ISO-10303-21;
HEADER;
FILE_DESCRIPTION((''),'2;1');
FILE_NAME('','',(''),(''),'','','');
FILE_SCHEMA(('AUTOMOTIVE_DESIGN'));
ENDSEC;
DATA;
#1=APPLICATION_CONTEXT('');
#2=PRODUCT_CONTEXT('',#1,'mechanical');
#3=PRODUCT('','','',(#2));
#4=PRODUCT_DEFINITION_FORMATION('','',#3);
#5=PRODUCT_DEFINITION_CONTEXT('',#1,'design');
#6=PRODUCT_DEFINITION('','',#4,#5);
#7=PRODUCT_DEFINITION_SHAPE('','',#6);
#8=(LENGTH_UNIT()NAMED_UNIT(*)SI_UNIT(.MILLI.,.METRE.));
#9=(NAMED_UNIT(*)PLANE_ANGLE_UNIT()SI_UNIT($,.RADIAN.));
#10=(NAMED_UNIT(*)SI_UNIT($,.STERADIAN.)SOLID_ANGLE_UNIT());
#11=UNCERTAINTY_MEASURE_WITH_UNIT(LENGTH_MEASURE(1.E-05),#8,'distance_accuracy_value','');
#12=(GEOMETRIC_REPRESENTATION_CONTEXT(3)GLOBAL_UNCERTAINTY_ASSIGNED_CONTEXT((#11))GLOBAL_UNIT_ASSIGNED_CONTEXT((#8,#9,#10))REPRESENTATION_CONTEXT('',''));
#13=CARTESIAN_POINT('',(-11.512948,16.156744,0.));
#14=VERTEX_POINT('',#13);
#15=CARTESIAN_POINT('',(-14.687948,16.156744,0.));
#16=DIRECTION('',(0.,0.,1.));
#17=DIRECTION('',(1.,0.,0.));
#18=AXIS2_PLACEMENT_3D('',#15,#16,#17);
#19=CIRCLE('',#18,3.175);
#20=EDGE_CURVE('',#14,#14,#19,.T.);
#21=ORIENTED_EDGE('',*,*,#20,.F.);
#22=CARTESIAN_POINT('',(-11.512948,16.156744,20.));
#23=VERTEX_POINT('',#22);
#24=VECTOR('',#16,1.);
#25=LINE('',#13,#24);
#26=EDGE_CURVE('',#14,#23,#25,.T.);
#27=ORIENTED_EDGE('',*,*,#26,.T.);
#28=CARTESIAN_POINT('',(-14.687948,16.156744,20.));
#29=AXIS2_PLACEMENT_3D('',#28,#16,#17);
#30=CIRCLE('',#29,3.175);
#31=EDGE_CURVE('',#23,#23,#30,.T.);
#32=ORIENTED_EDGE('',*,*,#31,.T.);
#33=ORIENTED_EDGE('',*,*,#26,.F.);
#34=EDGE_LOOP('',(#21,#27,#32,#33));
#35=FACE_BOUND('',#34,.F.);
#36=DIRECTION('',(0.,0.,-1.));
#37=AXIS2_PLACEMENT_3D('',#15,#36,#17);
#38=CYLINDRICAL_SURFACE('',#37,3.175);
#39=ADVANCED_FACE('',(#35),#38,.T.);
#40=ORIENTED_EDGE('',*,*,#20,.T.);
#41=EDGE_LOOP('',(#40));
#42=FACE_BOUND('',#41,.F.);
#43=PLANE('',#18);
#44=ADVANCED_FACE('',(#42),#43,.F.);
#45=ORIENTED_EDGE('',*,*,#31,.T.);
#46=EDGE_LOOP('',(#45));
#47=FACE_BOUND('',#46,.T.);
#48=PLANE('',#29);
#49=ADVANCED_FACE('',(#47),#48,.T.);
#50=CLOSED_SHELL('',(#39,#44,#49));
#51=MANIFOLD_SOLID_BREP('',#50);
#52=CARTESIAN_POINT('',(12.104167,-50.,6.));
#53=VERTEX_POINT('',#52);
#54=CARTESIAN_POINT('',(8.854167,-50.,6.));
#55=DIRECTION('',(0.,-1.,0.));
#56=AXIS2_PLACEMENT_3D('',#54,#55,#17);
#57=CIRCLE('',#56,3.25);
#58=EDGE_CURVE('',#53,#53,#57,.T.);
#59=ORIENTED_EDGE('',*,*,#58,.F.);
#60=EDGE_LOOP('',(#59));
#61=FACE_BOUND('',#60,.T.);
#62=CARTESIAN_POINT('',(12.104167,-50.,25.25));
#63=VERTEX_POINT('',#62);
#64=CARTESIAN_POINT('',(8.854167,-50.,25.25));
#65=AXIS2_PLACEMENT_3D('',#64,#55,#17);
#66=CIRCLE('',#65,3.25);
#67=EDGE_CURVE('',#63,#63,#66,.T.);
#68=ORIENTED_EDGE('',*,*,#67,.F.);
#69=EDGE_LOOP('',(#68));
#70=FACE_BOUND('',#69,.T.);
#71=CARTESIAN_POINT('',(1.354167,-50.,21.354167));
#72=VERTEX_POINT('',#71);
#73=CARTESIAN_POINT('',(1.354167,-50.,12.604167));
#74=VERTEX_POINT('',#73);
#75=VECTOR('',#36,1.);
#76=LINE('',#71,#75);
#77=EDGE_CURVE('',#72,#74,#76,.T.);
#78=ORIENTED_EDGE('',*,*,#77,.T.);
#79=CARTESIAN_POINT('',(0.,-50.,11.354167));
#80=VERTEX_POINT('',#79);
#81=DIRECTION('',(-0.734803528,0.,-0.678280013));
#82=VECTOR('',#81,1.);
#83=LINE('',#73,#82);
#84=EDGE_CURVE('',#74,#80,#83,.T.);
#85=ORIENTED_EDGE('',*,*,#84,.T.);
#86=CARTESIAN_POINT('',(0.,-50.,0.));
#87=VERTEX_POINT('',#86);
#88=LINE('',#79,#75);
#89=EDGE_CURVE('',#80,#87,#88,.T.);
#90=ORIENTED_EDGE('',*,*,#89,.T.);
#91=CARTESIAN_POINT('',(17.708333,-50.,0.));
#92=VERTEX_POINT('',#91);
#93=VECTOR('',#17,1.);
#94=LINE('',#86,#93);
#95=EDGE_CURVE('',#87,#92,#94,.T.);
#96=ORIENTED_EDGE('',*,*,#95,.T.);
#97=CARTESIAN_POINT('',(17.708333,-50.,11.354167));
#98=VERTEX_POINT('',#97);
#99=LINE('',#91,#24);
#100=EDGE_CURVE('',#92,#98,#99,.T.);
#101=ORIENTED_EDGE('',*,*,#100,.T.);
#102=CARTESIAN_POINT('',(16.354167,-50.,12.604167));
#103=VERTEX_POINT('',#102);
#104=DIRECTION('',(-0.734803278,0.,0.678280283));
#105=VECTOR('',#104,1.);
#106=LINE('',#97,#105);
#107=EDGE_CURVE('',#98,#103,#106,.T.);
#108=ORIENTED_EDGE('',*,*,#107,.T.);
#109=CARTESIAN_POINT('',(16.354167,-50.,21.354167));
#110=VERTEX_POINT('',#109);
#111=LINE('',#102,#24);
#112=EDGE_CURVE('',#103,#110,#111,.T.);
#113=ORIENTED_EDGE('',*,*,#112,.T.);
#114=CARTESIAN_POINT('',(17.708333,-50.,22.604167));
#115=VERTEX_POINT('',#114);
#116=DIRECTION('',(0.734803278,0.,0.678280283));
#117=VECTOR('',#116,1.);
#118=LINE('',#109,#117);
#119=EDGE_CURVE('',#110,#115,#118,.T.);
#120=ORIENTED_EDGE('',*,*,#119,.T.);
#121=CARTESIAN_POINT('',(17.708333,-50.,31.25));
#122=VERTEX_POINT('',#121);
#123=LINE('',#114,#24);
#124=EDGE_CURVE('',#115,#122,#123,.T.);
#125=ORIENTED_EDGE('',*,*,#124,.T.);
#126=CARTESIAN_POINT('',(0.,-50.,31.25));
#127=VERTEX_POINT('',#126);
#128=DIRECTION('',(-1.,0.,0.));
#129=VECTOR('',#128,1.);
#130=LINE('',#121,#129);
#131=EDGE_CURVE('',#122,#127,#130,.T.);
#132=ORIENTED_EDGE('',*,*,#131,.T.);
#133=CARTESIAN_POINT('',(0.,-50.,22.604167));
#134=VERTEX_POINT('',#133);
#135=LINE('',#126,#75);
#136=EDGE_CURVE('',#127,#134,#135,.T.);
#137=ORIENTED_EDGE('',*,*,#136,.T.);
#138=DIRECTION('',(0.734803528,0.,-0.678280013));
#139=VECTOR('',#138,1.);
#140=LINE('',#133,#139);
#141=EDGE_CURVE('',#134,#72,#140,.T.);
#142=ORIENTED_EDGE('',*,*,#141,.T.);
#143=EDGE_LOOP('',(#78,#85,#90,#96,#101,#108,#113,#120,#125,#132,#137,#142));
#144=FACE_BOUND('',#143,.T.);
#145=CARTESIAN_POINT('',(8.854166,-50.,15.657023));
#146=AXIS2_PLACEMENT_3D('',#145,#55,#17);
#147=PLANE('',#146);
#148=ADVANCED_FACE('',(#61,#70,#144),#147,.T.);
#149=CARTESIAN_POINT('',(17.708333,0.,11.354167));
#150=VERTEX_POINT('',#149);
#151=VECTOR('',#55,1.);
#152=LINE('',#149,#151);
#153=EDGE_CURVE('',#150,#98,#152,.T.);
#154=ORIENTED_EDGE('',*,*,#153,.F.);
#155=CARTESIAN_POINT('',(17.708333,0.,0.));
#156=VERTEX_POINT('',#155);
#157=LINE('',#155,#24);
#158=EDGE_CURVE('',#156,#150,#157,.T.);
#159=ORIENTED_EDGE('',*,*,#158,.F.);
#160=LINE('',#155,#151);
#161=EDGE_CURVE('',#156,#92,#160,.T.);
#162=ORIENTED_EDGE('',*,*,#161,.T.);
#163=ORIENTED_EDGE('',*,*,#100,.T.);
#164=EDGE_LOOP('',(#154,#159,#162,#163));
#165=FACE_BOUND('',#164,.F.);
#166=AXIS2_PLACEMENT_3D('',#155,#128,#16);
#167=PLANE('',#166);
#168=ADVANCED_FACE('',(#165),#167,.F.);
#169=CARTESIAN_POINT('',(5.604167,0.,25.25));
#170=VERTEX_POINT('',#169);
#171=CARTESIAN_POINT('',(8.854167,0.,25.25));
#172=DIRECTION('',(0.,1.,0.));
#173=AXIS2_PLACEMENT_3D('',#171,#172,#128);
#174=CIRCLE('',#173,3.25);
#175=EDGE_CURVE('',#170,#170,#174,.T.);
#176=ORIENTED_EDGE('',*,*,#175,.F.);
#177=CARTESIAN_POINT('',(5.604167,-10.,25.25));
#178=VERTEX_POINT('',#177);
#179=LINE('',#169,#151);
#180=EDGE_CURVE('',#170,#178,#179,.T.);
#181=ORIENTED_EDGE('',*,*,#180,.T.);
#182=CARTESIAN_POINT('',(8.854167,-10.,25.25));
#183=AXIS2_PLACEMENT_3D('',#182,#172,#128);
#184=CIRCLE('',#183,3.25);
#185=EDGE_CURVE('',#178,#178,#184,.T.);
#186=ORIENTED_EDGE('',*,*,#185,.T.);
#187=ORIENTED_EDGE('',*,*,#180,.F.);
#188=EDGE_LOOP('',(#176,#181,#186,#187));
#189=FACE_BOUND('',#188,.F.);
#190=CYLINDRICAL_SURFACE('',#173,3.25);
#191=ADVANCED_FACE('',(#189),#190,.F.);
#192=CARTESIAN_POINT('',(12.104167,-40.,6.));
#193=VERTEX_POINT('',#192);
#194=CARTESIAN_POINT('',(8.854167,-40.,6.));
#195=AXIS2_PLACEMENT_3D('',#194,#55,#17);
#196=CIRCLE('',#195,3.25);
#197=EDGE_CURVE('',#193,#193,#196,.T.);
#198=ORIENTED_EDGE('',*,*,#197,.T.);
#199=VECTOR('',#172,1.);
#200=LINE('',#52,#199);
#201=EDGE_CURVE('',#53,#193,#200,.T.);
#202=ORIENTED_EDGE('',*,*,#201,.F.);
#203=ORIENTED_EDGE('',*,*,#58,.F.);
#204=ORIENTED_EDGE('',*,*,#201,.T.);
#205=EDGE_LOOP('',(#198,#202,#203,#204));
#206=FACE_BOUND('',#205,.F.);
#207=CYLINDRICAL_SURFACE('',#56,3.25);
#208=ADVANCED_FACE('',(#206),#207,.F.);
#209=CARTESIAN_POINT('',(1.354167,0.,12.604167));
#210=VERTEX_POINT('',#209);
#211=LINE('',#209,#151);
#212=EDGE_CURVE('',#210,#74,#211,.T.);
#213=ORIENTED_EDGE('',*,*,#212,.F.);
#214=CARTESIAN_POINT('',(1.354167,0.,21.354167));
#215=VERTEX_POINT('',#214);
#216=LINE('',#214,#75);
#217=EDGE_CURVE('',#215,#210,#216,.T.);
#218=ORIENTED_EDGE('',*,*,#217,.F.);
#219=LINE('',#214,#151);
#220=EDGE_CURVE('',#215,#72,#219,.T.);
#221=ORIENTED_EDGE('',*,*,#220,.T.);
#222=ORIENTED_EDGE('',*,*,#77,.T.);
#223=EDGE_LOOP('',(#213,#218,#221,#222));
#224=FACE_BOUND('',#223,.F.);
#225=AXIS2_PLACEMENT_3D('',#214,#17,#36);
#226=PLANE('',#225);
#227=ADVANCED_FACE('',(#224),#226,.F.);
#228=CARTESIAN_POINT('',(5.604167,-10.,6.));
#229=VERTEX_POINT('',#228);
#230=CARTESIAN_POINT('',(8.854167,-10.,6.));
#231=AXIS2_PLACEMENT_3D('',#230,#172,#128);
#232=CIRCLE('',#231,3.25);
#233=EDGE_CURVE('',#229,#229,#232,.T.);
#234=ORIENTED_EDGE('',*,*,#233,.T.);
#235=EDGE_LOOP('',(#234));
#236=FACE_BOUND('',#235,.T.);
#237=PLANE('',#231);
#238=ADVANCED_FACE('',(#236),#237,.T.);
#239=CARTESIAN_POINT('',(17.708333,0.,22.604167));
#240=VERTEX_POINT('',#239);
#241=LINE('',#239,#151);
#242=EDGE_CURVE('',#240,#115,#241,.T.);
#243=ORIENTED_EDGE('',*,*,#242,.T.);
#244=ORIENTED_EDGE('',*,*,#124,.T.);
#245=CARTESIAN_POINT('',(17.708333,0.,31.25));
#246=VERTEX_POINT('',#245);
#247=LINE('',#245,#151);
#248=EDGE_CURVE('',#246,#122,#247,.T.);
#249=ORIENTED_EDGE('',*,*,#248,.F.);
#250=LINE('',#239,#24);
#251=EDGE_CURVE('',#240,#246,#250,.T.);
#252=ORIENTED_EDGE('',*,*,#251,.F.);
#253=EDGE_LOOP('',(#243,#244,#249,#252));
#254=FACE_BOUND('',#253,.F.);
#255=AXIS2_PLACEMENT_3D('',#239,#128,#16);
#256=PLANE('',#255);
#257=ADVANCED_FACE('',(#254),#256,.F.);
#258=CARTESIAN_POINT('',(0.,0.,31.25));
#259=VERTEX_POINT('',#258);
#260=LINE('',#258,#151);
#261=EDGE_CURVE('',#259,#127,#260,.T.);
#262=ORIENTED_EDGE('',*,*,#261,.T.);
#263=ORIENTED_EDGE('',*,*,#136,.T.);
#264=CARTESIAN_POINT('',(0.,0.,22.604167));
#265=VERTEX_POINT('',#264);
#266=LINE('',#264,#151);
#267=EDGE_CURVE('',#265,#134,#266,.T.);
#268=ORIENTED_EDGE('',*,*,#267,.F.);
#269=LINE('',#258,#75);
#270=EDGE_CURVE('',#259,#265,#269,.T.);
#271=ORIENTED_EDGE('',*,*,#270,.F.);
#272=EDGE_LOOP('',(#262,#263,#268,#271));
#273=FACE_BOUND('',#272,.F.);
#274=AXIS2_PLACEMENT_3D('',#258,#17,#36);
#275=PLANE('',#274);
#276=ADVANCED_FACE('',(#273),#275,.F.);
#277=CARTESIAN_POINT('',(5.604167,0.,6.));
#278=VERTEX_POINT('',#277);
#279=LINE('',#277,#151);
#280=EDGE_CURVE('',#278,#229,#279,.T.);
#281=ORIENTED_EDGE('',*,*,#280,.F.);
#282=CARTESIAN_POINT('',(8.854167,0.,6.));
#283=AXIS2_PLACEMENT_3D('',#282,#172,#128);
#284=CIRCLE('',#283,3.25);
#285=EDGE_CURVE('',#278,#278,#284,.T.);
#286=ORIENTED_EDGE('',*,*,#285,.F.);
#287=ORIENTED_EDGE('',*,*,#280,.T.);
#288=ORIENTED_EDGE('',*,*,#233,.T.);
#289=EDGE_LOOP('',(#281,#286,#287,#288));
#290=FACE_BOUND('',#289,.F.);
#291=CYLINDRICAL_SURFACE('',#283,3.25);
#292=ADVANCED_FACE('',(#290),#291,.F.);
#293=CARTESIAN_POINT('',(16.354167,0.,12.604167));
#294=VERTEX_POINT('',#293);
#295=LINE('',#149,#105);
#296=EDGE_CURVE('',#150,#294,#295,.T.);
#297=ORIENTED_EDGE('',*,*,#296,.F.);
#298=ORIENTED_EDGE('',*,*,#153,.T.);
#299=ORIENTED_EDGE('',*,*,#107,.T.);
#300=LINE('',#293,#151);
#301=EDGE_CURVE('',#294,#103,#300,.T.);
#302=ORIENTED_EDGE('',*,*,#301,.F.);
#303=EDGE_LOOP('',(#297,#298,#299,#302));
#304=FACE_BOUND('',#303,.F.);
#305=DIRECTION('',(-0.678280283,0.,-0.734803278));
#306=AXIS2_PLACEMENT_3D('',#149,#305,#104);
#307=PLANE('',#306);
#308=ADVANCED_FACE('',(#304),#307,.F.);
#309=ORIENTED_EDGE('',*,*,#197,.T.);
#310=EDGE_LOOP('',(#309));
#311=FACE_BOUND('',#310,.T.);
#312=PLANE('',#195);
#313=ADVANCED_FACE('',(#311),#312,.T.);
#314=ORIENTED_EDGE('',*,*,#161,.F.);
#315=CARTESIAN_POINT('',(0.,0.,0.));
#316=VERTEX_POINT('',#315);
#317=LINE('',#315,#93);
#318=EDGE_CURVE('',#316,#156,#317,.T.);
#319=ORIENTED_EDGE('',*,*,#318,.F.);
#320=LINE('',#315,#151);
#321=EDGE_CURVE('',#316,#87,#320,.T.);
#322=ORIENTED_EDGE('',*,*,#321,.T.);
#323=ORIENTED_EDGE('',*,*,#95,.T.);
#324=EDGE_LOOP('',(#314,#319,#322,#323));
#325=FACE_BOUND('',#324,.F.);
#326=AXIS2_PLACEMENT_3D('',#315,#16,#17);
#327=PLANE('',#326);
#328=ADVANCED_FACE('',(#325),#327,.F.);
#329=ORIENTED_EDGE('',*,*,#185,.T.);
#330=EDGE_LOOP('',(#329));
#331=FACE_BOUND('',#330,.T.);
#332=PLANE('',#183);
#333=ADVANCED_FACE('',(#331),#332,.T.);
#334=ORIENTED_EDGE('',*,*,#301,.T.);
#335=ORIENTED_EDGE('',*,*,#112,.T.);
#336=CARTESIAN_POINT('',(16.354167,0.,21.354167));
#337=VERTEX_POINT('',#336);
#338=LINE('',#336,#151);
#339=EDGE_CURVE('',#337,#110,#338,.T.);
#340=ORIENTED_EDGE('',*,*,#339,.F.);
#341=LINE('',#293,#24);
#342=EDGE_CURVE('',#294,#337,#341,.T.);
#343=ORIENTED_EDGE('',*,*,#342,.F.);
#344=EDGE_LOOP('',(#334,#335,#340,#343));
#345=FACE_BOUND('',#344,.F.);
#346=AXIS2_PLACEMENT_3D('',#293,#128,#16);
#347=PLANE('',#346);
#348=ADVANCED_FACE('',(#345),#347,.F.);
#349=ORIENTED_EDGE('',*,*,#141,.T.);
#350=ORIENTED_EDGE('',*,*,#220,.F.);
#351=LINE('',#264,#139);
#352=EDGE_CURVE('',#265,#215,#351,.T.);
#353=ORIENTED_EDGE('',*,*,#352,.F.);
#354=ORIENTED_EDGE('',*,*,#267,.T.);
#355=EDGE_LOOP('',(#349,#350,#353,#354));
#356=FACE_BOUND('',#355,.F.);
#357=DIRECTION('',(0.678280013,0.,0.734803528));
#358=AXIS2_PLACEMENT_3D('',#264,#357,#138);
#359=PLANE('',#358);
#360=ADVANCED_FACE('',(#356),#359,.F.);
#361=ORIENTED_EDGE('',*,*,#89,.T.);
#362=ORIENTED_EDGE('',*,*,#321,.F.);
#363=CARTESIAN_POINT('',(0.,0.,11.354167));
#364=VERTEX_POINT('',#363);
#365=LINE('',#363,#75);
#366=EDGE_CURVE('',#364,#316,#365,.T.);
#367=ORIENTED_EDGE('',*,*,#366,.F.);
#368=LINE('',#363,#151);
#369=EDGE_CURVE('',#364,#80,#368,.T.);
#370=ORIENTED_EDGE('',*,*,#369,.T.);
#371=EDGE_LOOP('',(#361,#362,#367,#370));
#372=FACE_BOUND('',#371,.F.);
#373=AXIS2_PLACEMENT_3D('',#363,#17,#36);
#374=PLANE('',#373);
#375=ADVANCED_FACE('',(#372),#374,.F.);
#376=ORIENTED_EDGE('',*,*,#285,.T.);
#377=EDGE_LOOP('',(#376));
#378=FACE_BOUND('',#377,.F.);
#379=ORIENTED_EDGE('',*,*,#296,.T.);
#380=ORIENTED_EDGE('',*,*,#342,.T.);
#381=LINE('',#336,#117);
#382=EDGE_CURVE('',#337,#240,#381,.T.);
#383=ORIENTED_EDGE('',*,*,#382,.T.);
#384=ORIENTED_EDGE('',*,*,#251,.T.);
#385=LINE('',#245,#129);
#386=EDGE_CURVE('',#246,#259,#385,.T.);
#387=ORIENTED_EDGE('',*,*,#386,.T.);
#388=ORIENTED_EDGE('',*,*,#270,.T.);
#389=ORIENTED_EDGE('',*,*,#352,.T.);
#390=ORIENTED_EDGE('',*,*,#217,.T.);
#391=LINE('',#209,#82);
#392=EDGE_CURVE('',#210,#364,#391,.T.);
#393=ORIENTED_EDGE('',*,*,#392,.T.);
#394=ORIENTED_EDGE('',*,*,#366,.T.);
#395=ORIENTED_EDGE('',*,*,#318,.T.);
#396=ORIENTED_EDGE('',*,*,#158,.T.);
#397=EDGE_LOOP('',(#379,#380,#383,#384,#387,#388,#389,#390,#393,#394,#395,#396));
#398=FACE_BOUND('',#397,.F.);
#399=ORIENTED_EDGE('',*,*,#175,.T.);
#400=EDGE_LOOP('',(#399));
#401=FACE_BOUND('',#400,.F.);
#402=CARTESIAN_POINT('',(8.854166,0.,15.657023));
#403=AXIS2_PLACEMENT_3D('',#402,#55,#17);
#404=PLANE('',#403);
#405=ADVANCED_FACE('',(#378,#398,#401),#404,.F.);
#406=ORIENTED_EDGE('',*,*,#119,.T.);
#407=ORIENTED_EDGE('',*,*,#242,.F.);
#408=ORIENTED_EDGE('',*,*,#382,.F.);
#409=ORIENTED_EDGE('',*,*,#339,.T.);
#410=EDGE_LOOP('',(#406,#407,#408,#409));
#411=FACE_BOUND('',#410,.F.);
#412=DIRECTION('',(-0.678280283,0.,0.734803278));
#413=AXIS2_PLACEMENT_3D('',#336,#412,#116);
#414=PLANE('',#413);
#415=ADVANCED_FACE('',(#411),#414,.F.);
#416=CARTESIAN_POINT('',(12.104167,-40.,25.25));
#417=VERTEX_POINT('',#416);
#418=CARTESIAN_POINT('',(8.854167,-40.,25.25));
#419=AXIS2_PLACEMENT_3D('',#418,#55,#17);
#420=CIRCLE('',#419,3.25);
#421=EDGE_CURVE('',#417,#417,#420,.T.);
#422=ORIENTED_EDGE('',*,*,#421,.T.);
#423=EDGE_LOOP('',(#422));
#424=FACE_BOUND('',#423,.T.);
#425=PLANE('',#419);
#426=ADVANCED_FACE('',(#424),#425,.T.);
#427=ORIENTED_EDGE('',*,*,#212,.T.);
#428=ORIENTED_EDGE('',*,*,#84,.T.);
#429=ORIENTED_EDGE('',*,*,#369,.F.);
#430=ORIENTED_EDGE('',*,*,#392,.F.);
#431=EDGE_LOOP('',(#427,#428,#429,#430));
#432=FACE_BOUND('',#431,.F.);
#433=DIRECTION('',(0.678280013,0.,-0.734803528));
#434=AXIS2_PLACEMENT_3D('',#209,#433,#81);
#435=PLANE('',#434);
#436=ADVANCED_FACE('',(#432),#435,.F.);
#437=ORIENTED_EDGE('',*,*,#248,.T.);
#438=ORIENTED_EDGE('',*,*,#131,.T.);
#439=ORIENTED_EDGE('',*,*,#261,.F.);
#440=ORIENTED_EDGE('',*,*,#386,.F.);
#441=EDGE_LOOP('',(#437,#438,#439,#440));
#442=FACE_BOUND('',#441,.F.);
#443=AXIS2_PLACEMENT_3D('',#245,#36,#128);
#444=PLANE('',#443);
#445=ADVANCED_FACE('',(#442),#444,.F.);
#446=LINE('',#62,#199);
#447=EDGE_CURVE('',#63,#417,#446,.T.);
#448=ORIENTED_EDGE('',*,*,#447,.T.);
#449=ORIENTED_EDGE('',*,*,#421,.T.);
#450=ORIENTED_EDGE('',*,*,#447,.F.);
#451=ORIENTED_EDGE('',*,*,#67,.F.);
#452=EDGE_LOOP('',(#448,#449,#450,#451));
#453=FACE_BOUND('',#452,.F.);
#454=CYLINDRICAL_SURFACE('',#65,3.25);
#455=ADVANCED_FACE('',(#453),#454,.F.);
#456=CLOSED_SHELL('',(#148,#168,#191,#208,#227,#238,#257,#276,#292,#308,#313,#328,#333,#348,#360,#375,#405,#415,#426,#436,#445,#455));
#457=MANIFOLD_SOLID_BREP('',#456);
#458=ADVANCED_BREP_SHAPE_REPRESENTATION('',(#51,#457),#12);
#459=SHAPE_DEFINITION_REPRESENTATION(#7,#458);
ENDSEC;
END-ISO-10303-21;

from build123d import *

# Parameters (mm, degrees)
F1_DEPTH = 50
F2_R     = 3.25
F3_DEPTH = 10
F4_R     = 3.25
F5_DEPTH = 10
F6_R     = 3.175
F7_DEPTH = 20


with BuildPart() as f1:
    # F0 (on Front) → F1 (new body)
    with BuildSketch(Plane.XZ):
        Polygon((0, 0), (8.854167, 0), (17.708333, 0), (17.708333, 11.354167), (16.354167, 12.604167), (16.354167, 21.354167), (17.708333, 22.604167), (17.708333, 31.25), (8.854167, 31.25), (0, 31.25), (0, 22.604167), (1.354167, 21.354167), (1.354167, 12.604167), (0, 11.354167), align=None)
    extrude(amount=F1_DEPTH)

    # F2 (on face) → F3 (cut)
    with BuildSketch(Plane.XZ.offset(50)):
        with Locations((8.854167, 6)):
            Circle(F2_R)
        with Locations((8.854167, 25.25)):
            Circle(F2_R)
    extrude(amount=-F3_DEPTH, mode=Mode.SUBTRACT)

    # F4 (on face) → F5 (cut)
    with BuildSketch(Plane(origin=(0, 0, 0), x_dir=(-1, 0, 0), z_dir=(0, 1, 0))):
        with Locations((-8.854167, 6)):
            Circle(F4_R)
        with Locations((-8.854167, 25.25)):
            Circle(F4_R)
    extrude(amount=-F5_DEPTH, mode=Mode.SUBTRACT)


with BuildPart() as f7:
    # F6 (on Top) → F7 (new body)
    with BuildSketch(Plane.XY):
        with Locations((-14.687948, 16.156744)):
            Circle(F6_R)
    extrude(amount=F7_DEPTH)


solid = Compound([f1.part, f7.part])
